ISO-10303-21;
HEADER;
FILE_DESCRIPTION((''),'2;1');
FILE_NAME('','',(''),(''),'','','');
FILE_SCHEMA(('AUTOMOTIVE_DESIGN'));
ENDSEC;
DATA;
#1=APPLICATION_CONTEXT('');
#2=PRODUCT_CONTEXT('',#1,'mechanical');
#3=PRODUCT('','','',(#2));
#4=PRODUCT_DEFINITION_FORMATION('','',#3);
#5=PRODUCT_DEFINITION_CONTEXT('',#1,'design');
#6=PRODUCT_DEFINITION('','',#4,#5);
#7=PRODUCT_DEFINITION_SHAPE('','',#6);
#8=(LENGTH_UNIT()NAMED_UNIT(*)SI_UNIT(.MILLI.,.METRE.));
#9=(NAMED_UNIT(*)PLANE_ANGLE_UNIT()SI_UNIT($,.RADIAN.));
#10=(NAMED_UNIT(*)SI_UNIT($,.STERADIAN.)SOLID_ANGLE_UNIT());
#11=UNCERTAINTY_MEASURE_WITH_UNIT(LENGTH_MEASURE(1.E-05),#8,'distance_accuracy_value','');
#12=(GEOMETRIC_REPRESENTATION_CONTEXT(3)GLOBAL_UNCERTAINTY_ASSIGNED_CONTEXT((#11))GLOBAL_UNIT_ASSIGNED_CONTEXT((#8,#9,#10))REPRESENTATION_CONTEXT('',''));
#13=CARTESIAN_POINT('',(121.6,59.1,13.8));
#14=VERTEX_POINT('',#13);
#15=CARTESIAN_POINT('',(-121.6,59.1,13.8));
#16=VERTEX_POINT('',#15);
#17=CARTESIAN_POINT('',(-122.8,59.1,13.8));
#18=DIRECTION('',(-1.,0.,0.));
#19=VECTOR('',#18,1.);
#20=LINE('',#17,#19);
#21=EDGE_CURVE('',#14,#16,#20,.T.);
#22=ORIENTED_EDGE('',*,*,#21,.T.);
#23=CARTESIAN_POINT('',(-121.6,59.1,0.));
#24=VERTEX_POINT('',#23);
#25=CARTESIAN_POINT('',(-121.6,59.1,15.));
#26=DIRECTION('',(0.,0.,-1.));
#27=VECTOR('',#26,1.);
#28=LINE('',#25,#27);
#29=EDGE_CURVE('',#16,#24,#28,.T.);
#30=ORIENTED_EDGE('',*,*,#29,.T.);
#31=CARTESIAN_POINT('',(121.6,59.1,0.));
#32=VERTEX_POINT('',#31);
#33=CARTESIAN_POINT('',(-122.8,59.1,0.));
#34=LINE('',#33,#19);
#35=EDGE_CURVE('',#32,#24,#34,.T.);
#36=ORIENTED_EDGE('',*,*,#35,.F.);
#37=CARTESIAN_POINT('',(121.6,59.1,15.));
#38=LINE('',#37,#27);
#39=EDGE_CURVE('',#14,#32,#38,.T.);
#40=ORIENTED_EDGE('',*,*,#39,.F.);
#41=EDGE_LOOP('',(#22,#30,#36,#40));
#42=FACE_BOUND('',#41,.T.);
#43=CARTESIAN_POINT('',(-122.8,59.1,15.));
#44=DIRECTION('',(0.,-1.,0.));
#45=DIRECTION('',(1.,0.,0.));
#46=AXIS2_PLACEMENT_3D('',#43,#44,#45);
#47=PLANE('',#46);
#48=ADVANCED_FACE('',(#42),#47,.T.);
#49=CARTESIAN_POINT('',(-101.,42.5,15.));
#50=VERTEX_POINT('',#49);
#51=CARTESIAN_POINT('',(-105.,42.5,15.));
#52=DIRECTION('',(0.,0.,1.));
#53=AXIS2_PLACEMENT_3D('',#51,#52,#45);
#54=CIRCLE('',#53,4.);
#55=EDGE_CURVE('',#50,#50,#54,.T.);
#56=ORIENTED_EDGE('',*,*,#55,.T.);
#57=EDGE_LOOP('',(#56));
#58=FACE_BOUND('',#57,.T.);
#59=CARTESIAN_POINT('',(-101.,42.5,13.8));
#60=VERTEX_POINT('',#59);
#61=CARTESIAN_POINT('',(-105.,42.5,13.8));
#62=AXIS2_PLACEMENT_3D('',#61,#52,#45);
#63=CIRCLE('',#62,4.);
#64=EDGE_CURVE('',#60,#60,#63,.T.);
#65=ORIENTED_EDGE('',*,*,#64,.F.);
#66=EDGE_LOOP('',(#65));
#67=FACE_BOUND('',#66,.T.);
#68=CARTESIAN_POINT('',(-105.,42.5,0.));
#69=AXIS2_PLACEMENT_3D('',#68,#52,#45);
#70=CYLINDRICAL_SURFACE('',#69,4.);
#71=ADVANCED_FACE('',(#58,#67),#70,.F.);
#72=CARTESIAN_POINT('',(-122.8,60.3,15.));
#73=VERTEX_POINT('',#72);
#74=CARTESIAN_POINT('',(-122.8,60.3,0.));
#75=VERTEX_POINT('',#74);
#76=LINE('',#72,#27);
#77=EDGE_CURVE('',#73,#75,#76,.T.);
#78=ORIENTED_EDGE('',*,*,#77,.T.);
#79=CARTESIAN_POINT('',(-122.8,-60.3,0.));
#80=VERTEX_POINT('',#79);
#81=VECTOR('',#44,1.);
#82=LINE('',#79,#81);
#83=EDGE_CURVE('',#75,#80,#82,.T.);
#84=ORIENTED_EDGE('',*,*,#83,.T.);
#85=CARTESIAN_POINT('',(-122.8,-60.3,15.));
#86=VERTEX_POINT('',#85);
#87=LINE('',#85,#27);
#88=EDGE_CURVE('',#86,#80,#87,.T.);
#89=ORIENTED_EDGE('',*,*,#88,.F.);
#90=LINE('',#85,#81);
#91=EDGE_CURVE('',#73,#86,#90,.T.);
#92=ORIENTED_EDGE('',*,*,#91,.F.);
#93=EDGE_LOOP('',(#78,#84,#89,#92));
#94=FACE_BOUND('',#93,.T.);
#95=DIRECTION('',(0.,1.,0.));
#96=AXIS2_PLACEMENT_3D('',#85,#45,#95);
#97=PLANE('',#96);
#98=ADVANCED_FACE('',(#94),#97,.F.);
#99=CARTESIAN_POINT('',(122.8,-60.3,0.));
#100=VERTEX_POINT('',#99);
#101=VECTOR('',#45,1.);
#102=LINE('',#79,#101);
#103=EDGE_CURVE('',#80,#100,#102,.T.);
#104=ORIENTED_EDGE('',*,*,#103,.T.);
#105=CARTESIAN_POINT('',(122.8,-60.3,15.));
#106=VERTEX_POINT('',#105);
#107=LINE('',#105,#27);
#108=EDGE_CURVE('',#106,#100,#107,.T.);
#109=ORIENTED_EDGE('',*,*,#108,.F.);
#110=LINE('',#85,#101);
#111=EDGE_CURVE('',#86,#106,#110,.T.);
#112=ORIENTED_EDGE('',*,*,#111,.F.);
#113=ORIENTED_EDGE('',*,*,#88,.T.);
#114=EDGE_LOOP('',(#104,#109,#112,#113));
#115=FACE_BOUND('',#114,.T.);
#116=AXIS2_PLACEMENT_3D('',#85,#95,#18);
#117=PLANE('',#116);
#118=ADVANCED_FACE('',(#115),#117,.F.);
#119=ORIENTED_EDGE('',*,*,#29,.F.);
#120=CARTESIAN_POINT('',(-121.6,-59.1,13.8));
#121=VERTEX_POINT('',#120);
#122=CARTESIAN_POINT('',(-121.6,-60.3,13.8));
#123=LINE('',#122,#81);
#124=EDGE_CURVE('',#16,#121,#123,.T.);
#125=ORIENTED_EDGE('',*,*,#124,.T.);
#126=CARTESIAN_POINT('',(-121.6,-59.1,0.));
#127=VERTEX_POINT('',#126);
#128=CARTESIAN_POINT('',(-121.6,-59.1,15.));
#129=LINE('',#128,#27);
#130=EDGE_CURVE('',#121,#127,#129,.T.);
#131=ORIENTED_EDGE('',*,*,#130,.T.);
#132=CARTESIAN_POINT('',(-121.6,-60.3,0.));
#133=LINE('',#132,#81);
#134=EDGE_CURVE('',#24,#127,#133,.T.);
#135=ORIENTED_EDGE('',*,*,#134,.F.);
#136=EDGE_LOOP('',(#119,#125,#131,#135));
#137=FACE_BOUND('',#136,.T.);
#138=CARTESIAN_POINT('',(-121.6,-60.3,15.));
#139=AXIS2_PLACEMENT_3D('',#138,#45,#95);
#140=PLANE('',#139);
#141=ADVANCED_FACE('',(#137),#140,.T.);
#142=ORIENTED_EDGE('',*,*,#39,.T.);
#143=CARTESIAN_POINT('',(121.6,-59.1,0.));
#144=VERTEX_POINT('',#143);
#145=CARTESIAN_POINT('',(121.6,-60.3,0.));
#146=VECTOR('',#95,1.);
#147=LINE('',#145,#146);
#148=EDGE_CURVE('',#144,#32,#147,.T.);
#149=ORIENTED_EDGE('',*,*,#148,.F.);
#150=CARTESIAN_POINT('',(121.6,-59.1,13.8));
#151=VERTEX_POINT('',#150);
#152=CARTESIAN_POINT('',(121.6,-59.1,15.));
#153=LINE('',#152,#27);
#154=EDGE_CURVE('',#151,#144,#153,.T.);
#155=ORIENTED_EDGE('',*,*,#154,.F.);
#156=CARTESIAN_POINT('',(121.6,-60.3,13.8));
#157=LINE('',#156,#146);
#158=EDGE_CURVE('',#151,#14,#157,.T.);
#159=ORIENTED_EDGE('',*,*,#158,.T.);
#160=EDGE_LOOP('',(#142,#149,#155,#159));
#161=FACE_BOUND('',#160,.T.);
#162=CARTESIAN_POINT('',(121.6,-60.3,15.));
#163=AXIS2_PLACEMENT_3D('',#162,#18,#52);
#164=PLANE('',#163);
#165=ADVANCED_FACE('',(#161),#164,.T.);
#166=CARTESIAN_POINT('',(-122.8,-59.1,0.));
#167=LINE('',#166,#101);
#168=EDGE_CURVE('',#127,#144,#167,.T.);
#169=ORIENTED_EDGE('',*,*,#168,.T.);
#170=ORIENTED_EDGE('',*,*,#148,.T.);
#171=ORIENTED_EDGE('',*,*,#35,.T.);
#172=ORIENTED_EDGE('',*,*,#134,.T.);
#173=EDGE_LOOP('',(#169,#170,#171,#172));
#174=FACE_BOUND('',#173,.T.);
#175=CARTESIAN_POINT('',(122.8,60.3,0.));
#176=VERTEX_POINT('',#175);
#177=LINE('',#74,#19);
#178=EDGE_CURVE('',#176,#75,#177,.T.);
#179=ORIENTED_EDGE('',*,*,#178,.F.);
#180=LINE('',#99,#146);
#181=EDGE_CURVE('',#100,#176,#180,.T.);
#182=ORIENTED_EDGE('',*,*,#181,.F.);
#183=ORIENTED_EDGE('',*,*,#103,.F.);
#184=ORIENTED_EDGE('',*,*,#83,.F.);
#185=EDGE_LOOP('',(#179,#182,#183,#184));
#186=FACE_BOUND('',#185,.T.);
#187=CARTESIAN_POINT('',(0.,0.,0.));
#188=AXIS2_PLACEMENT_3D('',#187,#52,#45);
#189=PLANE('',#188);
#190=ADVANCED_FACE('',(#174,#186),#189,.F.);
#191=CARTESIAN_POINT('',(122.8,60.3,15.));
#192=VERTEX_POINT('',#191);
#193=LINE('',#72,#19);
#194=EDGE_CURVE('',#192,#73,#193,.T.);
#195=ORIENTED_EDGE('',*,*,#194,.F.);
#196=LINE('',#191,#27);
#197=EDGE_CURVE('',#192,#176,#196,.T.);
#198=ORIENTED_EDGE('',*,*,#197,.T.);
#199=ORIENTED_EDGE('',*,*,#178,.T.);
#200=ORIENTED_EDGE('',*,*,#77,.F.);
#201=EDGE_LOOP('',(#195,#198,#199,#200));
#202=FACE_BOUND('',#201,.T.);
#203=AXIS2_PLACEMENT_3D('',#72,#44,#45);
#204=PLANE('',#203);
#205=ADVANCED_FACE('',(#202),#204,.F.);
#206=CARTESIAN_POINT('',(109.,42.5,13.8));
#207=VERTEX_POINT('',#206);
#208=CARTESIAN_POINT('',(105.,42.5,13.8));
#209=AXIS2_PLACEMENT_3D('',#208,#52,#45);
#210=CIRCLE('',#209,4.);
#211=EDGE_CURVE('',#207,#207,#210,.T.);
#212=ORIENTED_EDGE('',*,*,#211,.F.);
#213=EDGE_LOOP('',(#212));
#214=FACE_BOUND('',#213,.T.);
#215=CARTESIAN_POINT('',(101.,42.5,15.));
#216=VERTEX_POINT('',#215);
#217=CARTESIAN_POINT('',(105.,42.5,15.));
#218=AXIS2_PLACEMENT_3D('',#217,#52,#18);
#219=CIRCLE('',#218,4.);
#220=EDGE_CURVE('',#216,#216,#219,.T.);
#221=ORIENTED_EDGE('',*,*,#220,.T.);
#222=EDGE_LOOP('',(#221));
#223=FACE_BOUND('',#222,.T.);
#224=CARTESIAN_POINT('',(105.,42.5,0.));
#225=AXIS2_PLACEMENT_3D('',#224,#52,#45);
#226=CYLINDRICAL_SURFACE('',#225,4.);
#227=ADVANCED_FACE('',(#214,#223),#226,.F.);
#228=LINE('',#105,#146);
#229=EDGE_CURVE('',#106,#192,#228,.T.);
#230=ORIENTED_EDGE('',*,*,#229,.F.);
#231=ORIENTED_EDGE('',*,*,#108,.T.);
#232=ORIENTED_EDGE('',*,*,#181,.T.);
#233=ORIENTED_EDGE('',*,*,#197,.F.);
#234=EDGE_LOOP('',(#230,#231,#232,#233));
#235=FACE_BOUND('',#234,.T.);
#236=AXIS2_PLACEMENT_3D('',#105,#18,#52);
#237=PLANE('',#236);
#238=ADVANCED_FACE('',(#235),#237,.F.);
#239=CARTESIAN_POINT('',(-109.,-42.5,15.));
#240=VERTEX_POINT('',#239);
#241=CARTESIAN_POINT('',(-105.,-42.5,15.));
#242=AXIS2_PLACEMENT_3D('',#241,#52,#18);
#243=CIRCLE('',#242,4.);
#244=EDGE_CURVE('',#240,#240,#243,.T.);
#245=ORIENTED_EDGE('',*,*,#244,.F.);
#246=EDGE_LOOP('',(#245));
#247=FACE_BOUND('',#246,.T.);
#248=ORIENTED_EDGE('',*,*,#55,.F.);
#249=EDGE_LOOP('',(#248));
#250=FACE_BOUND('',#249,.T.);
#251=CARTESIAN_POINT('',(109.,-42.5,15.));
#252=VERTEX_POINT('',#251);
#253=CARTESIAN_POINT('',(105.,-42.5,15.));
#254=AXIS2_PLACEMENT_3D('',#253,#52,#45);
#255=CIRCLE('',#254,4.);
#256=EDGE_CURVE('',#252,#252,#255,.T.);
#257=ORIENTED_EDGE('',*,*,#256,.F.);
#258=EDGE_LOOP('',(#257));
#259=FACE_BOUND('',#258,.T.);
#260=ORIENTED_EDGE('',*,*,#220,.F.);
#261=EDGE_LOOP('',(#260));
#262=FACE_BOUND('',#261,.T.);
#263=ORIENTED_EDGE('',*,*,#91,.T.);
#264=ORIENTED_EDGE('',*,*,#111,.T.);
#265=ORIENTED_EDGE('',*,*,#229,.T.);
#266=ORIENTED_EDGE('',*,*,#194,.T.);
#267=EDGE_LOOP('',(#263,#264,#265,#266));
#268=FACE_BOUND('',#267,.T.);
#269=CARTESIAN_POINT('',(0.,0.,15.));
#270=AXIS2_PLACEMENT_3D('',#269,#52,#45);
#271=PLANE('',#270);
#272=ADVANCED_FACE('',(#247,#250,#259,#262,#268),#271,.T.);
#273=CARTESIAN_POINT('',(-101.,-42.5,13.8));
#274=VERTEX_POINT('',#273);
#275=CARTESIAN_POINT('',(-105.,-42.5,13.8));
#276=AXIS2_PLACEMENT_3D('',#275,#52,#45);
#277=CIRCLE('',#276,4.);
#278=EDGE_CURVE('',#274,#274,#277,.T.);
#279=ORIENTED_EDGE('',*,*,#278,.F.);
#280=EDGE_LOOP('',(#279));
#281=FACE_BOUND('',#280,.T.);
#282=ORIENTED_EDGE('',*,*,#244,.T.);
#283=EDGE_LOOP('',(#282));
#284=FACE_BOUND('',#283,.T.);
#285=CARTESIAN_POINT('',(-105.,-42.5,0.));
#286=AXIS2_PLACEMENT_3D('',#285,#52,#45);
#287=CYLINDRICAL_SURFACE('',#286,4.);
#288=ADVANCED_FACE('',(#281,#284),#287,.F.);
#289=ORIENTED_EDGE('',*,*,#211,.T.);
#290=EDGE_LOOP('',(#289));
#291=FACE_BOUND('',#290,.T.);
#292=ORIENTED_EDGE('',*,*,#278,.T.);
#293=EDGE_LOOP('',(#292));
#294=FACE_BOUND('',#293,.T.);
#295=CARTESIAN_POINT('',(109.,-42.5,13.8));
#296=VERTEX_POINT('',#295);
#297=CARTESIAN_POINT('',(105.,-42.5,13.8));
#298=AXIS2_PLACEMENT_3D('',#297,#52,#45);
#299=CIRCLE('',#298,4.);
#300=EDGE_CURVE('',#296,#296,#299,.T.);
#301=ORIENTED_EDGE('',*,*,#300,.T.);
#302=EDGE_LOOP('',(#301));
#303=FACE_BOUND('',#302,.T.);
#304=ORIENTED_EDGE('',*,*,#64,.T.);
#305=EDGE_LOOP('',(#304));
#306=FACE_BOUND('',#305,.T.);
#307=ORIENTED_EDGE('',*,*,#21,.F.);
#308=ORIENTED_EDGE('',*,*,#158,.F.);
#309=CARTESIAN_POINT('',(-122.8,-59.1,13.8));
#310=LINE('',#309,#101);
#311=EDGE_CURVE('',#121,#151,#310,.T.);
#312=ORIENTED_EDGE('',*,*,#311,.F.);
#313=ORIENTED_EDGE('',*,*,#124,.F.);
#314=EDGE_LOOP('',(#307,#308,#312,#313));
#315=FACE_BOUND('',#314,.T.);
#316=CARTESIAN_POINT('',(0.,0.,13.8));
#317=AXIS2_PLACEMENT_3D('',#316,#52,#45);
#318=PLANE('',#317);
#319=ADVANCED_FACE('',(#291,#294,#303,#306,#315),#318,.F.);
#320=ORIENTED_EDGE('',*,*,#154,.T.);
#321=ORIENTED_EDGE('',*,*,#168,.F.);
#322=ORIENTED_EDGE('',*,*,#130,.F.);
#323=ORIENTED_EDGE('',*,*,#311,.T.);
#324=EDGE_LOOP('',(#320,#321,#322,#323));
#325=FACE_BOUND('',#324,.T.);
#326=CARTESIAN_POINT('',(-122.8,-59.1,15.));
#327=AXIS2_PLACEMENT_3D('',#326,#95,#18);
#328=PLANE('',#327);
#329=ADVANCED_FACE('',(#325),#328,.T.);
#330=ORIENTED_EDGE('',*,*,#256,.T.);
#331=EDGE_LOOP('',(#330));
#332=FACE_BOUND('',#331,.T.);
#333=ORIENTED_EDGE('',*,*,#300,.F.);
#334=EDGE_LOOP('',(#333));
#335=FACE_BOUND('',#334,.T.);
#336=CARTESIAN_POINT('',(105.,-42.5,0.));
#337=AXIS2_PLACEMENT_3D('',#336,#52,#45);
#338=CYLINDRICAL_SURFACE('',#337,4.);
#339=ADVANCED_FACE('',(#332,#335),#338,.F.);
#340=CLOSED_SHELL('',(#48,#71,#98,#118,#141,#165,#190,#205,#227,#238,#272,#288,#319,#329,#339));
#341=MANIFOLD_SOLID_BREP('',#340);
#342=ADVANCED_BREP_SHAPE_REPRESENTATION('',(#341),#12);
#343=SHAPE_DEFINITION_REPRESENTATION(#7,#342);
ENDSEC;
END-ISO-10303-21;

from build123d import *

# Parameters (mm, degrees)
SKETCH_1_W          = 245.6
SKETCH_1_H          = 120.6
EXTRUDE_1_DEPTH     = 15
SHELL_1_T           = -1.2
SKETCH_2_R          = 4
CUT_EXTRUDE_1_DEPTH = 15


with BuildPart() as part:
    # 草图1 → 凸台-拉伸1 (new body)
    with BuildSketch(Plane.XY):
        Rectangle(SKETCH_1_W, SKETCH_1_H)
    extrude(amount=EXTRUDE_1_DEPTH)

    # 抽壳1
    shell_1_openings = [part.faces().sort_by_distance(p)[0] for p in [
        (0, 0, 0),
    ]]
    offset(amount=SHELL_1_T, openings=shell_1_openings, kind=Kind.INTERSECTION)

    # 草图2 → 切除-拉伸1 (cut)
    with BuildSketch(Plane.XY.offset(15)):
        with Locations((-105, 42.5)):
            Circle(SKETCH_2_R)
        with Locations((105, 42.5)):
            Circle(SKETCH_2_R)
        with Locations((105, -42.5)):
            Circle(SKETCH_2_R)
        with Locations((-105, -42.5)):
            Circle(SKETCH_2_R)
    extrude(amount=-CUT_EXTRUDE_1_DEPTH, mode=Mode.SUBTRACT)


solid = part.part
